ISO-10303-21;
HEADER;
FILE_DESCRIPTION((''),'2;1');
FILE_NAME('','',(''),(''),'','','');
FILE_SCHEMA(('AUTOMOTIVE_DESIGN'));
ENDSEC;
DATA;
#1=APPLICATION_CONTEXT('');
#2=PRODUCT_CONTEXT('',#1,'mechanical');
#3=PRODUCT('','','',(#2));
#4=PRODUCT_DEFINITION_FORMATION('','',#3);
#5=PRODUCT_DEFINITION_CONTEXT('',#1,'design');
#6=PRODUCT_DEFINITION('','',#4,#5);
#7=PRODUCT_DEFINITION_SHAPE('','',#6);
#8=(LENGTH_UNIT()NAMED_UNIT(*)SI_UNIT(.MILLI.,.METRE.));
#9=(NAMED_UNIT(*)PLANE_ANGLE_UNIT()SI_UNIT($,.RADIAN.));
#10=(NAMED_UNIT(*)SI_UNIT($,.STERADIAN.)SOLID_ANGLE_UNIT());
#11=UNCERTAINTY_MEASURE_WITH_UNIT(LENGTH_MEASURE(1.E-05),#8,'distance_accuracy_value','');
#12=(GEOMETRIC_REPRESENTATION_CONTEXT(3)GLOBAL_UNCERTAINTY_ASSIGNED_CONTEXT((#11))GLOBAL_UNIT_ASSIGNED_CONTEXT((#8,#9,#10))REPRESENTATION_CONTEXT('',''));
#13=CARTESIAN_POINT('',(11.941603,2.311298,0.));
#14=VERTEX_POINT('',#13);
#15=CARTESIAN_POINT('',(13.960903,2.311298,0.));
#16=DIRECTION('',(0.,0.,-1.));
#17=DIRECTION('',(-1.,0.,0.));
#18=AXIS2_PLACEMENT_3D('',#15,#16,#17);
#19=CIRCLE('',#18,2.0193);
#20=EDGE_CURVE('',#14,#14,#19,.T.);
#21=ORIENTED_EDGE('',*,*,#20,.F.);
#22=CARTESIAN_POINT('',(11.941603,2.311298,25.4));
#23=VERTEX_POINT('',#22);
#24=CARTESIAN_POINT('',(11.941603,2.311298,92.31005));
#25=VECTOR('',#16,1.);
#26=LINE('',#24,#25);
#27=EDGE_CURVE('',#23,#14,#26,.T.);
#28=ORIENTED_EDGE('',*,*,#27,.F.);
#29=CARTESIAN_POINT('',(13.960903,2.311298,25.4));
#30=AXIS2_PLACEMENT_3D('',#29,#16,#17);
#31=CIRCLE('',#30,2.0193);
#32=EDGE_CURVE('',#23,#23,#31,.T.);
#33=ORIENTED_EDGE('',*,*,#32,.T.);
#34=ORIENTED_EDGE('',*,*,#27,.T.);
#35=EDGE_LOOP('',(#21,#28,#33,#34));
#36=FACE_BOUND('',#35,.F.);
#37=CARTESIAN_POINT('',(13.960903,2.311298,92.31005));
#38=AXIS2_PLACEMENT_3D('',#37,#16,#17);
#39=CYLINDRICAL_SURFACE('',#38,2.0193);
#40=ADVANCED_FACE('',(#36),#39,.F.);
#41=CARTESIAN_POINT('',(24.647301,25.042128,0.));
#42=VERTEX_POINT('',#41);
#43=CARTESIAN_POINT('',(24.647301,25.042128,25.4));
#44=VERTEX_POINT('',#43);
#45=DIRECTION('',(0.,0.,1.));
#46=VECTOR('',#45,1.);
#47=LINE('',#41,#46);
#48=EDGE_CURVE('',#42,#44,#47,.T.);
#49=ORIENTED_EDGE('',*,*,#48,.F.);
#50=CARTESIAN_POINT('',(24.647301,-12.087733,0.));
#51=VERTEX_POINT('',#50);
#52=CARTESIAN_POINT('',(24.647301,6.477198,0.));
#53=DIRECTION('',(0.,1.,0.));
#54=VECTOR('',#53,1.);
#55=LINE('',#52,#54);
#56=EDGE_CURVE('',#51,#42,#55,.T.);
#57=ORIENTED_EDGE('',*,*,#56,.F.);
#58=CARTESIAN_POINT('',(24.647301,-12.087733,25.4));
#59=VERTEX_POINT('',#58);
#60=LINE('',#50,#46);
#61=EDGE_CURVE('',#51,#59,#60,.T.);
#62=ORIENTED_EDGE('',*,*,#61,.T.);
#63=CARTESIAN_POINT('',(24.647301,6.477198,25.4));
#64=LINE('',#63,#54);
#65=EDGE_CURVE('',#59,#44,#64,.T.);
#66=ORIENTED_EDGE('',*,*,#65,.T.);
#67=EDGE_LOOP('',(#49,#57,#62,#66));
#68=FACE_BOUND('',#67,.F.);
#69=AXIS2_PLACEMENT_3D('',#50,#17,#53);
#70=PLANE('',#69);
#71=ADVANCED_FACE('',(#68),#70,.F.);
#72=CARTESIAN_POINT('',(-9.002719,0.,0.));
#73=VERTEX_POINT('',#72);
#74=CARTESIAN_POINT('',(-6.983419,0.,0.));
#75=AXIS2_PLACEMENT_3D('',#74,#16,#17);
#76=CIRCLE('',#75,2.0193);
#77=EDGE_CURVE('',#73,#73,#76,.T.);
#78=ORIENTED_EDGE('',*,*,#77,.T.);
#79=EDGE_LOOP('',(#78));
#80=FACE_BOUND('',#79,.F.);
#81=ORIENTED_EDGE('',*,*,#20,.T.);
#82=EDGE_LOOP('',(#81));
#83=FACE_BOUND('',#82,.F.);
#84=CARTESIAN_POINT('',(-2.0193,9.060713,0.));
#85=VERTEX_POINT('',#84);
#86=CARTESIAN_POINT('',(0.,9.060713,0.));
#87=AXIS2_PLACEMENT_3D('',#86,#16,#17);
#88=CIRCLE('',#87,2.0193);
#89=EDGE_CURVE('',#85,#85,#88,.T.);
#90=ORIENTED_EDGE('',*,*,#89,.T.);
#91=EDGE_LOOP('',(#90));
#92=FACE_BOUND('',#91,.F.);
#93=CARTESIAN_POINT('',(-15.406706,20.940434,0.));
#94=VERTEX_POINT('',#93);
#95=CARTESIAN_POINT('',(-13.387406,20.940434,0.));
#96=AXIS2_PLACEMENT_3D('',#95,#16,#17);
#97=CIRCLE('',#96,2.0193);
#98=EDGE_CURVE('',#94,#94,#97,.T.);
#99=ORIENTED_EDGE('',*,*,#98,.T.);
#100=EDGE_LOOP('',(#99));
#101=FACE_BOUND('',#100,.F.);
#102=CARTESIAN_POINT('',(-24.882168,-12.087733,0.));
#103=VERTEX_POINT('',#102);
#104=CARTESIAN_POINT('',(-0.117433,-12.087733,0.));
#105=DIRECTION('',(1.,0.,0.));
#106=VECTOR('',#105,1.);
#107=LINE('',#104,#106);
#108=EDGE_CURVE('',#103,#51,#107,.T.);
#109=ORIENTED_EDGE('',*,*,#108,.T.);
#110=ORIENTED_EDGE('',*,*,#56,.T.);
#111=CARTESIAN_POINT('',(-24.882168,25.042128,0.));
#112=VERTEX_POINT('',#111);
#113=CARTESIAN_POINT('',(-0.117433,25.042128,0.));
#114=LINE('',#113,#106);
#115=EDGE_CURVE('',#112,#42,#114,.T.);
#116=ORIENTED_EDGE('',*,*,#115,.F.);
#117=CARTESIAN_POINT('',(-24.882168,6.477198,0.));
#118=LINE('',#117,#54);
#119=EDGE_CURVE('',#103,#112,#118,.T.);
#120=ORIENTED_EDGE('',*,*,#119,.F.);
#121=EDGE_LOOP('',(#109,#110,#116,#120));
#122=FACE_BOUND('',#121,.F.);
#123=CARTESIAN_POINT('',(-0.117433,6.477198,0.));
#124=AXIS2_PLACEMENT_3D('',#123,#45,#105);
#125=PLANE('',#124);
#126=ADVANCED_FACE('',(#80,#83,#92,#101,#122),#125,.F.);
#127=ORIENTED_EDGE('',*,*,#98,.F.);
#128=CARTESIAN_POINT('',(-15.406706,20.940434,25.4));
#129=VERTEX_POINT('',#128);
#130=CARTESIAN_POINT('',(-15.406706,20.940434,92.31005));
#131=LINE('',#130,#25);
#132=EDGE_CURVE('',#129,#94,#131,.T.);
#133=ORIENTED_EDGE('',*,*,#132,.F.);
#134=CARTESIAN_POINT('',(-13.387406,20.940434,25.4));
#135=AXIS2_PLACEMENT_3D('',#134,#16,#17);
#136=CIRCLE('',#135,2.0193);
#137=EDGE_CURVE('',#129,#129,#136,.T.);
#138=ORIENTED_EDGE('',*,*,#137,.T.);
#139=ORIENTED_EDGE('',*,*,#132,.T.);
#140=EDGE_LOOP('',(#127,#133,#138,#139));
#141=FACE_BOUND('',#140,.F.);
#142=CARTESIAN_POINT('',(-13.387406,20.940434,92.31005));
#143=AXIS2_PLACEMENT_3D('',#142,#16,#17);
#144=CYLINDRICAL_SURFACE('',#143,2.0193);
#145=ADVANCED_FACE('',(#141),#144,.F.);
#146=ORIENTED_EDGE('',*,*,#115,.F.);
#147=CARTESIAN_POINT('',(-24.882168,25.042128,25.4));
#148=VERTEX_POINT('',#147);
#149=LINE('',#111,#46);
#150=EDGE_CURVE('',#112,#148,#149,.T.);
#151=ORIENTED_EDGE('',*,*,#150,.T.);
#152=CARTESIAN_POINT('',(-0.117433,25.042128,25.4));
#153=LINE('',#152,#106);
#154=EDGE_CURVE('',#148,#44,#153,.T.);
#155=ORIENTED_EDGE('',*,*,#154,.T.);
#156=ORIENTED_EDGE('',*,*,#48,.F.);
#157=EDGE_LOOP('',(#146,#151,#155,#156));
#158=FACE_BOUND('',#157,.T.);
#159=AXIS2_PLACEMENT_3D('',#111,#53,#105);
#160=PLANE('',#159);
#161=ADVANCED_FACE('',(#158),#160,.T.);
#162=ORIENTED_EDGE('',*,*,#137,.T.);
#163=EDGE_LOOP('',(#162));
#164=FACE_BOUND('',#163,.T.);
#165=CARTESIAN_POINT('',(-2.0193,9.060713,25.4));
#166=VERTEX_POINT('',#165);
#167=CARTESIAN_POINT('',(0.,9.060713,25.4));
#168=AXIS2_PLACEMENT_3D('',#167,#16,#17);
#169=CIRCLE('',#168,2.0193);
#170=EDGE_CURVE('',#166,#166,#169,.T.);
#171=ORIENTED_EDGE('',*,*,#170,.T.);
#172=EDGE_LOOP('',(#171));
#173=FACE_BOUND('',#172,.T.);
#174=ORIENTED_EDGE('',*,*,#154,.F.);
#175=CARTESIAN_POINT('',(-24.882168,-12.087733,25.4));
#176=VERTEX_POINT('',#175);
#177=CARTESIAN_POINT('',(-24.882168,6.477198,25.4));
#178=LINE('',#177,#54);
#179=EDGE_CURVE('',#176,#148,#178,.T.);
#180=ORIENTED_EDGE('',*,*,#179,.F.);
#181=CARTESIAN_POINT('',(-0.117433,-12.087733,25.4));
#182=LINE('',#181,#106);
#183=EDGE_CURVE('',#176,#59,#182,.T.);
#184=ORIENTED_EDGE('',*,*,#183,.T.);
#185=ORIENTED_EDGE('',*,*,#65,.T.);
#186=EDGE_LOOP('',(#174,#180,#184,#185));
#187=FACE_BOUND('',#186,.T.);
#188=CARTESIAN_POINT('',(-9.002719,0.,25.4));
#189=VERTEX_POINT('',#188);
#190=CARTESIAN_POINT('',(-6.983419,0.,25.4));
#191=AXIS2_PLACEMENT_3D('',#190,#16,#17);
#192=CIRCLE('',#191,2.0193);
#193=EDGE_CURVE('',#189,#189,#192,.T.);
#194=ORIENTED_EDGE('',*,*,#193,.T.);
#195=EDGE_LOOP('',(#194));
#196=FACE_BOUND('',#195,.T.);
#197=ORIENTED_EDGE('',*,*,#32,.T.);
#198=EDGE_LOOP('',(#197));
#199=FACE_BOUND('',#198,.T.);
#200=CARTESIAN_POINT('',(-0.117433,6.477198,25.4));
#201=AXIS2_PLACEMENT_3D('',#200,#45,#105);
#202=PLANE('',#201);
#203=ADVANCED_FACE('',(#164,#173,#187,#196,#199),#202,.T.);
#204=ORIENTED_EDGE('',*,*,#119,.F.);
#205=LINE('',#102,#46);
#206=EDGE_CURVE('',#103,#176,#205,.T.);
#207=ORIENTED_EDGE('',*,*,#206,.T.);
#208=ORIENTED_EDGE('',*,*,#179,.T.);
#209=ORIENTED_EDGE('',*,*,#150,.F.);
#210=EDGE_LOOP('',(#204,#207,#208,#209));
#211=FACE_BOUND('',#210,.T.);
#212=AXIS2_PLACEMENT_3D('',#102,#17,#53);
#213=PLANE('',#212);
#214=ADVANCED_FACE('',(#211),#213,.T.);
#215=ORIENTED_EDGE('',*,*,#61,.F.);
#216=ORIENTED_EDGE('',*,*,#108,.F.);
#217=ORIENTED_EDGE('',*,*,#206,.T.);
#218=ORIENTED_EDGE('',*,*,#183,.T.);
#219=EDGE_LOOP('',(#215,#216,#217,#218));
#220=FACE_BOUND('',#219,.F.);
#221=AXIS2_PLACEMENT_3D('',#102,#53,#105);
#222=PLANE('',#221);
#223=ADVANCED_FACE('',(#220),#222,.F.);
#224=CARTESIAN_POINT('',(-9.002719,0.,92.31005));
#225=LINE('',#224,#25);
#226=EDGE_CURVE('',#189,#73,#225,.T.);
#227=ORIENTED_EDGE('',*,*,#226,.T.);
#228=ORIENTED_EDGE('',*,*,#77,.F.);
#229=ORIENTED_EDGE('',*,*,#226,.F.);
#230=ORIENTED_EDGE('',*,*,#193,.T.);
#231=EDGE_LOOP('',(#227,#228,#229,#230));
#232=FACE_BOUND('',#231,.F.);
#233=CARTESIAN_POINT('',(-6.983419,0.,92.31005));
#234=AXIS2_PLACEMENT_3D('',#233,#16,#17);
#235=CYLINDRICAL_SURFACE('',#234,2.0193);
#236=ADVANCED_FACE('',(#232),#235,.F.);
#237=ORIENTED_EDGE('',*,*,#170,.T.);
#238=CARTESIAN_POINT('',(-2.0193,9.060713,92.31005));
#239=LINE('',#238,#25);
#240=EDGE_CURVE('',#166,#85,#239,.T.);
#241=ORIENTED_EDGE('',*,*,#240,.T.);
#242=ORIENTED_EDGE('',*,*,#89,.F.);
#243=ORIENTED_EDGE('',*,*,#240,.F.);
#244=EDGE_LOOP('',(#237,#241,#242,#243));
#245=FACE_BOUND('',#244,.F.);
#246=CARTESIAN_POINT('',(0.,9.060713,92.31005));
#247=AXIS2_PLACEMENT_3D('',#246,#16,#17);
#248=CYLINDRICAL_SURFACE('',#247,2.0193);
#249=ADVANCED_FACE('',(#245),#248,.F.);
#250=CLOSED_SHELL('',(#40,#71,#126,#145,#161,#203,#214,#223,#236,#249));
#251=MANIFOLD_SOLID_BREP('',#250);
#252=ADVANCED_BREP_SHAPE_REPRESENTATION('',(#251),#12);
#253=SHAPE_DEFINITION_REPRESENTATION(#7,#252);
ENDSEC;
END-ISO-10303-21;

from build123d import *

# Parameters (mm, degrees)
F0_W     = 49.5294686407
F0_H     = 37.1298603714
F1_DEPTH = 25.4
F3_D     = 4.0386


with BuildPart() as f1:
    # F0 (on Top) → F1 (new body)
    with BuildSketch(Plane.XY):
        with Locations((-0.1174332574, 6.4771976322)):
            Rectangle(F0_W, F0_H)
    extrude(amount=F1_DEPTH)

    # F3 (through all)
    with Locations(Plane.XY.offset(25.4)):
        with Locations((13.9609025791, 2.3112976924), (-13.3874057792, 20.9404341877), (-6.9834189489, 0), (0, 9.0607134625)):
            Hole(F3_D / 2)


solid = f1.part
